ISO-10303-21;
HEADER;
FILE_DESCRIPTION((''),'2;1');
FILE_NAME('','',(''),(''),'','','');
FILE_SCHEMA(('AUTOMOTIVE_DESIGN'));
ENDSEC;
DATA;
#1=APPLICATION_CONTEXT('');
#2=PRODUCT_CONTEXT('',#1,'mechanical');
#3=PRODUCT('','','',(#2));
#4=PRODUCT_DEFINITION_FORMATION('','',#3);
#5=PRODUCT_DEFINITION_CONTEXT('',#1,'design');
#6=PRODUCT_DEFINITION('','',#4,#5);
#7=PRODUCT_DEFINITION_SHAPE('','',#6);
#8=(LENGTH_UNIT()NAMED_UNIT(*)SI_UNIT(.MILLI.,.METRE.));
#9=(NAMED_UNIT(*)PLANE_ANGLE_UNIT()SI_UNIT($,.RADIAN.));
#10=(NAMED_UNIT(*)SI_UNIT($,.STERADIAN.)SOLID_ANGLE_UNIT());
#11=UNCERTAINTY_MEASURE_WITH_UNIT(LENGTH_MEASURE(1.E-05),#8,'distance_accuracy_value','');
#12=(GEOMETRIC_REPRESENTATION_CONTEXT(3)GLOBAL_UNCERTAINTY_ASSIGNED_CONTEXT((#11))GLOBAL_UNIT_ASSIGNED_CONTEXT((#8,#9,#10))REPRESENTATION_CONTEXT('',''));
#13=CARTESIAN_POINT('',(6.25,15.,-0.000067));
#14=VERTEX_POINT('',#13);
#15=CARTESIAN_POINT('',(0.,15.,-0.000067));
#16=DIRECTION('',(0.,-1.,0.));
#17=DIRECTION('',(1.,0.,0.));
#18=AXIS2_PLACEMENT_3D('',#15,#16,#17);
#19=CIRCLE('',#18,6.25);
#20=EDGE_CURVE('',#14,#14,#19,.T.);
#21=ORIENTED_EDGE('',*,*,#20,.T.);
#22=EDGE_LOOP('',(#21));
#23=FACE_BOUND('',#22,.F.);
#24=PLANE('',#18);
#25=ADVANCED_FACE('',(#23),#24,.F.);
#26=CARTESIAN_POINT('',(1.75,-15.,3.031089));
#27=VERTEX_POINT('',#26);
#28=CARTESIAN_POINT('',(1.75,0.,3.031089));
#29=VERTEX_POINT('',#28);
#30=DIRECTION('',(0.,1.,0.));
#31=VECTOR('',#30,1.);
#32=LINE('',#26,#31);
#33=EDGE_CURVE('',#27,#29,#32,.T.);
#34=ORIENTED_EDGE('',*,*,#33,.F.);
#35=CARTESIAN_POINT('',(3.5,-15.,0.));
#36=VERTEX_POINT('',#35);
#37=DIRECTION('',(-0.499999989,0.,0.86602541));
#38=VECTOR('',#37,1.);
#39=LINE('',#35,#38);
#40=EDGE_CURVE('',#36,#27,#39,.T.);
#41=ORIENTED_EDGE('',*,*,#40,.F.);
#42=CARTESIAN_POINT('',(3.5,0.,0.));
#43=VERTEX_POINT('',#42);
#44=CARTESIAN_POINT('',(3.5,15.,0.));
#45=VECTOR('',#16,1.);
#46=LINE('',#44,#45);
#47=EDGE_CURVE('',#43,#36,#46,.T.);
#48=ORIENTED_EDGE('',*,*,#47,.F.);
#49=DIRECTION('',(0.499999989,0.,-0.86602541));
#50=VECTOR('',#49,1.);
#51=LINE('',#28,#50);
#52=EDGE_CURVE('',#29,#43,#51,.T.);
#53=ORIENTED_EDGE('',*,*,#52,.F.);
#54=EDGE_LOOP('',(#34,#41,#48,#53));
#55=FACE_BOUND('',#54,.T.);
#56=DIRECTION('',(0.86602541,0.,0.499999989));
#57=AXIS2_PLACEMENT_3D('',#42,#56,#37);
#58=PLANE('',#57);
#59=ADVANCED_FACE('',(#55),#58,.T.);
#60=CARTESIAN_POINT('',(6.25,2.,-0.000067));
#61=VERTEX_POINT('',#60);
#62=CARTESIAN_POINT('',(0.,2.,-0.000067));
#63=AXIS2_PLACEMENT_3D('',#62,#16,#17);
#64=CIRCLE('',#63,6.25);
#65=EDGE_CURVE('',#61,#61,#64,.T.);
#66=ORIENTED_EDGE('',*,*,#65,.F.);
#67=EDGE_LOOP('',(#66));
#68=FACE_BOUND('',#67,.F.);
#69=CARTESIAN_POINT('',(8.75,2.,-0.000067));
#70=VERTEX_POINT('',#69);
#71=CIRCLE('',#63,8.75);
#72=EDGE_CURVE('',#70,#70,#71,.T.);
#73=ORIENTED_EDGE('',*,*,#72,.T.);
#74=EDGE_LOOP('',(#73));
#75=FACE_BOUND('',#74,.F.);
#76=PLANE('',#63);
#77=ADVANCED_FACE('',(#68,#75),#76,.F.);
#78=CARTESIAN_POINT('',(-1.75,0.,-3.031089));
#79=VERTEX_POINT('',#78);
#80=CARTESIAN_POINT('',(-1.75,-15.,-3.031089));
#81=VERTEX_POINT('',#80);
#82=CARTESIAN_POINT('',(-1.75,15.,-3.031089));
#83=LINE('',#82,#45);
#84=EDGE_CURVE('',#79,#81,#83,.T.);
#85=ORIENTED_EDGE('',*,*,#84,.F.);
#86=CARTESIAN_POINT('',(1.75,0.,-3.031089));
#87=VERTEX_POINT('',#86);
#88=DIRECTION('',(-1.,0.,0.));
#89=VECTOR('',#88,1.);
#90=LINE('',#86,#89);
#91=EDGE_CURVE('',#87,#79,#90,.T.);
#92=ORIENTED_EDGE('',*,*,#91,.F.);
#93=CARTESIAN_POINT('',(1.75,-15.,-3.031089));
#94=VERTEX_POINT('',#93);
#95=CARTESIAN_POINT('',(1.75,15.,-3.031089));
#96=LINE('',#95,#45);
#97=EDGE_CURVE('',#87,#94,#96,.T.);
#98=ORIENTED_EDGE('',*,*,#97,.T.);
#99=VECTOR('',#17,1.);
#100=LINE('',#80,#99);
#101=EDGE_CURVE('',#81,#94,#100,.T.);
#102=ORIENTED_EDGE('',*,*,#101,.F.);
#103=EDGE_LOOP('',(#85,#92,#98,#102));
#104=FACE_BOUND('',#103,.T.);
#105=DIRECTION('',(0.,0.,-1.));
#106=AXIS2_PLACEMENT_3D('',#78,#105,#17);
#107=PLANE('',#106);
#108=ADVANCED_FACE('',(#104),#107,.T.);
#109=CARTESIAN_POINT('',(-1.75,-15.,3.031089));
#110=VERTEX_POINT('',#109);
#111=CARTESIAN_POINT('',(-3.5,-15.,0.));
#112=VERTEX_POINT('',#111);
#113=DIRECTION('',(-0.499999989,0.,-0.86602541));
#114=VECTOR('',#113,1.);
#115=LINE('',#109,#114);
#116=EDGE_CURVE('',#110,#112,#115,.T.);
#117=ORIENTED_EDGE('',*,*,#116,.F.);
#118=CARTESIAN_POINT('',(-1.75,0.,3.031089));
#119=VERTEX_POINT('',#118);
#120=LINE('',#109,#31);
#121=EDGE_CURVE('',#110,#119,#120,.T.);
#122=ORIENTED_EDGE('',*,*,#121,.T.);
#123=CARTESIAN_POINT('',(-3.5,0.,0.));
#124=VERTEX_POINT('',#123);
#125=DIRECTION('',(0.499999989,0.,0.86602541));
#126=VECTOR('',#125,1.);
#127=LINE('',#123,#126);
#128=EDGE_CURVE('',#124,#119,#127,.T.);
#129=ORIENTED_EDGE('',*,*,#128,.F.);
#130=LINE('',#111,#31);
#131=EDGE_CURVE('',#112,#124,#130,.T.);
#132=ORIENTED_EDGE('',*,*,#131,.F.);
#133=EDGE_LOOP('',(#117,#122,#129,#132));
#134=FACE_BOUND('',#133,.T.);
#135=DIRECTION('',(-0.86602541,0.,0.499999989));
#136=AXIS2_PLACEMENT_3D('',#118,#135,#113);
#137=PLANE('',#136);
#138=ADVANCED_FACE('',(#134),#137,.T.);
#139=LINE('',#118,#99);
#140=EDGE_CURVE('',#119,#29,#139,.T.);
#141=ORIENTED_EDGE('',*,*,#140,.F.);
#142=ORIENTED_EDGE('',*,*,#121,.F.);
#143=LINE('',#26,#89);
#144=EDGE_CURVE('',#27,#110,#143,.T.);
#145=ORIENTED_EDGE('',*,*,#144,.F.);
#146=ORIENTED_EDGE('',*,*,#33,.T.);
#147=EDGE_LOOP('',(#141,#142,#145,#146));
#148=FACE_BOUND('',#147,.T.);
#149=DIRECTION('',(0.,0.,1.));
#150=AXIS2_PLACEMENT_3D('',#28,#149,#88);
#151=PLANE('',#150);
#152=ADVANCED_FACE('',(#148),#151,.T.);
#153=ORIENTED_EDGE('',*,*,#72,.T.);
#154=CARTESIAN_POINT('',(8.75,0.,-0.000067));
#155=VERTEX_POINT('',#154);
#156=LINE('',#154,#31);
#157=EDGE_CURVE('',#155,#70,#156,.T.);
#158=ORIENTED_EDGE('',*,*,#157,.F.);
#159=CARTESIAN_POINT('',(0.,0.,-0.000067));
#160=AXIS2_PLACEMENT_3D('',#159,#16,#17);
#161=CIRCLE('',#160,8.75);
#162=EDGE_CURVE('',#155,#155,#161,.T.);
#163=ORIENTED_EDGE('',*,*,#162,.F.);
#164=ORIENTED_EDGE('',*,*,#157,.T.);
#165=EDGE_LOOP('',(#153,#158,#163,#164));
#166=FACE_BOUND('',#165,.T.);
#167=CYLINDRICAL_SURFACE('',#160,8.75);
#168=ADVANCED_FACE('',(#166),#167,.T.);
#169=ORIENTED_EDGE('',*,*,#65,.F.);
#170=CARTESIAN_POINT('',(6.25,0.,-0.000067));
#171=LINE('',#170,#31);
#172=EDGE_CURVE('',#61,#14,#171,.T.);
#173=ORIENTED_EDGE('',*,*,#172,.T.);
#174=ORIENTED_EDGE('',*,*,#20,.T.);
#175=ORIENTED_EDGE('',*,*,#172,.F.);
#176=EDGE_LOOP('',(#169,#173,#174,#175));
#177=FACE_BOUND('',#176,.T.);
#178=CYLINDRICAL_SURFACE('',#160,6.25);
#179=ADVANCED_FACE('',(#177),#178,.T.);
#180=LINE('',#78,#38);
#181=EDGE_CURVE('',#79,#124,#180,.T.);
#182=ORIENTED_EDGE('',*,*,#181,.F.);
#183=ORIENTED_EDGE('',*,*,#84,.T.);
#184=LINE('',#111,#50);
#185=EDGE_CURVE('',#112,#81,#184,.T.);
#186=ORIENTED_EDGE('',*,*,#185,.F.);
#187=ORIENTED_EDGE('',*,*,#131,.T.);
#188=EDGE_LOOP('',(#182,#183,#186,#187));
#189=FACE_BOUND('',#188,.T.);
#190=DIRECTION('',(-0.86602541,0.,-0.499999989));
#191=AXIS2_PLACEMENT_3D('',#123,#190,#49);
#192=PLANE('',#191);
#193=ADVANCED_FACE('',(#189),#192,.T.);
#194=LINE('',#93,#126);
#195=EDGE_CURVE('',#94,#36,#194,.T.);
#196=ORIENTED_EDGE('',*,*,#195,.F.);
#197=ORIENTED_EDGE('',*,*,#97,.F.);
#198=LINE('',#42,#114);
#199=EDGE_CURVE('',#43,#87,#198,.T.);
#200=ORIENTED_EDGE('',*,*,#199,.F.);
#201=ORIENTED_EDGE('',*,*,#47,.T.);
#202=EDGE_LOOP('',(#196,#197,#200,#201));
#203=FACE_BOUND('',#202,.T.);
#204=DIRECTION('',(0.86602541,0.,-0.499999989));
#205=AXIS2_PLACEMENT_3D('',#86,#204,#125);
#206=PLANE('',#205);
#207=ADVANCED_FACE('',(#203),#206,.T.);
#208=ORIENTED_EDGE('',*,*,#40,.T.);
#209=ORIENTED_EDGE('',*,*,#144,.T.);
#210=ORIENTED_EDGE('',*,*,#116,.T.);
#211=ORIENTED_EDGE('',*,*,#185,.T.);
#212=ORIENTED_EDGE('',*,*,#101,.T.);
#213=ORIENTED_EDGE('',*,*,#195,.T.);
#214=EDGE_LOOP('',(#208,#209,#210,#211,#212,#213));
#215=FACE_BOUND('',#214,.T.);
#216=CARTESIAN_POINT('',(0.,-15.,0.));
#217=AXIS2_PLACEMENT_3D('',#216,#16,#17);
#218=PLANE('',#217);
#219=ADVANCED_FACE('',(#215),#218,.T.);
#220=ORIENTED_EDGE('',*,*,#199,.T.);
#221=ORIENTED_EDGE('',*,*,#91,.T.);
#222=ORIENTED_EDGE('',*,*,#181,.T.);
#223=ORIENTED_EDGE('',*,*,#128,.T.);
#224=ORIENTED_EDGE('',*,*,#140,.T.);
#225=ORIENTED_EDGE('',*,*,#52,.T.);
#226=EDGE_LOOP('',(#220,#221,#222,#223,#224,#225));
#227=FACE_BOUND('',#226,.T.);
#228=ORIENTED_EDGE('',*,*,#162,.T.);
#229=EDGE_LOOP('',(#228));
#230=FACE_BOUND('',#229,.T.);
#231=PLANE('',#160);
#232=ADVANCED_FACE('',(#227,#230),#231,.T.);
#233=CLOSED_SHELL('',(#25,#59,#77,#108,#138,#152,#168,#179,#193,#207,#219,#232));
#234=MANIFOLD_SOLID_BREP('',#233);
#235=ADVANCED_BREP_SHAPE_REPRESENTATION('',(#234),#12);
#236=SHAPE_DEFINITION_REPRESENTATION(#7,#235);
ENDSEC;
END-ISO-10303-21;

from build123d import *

# Parameters (mm, degrees)
F0_R     = 8.75
F0_R_2   = 6.25
F1_DEPTH = 2
F2_DEPTH = 15
F3_DEPTH = 15


with BuildPart() as f1:
    # F0 (on Front) → F1 (new body)
    with BuildSketch(Plane.XZ):
        with Locations((0, -6.7e-05)):
            Circle(F0_R)
        with Locations((0, -6.7e-05)):
            Circle(F0_R_2, mode=Mode.SUBTRACT)
    extrude(amount=-F1_DEPTH)

    # F0 (on Front) → F2 (join)
    with BuildSketch(Plane.XZ):
        with Locations((0, -6.7e-05)):
            Circle(F0_R_2)
        Polygon((1.75, -3.031089), (-1.75, -3.031089), (-3.5, 0), (-1.75, 3.031089), (1.75, 3.031089), (3.5, 0), align=None, mode=Mode.SUBTRACT)
    extrude(amount=-F2_DEPTH)

    # F0 (on Front) → F3 (join, symmetric)
    with BuildSketch(Plane.XZ):
        Polygon((-3.5, 0), (-1.75, -3.031089), (1.75, -3.031089), (3.5, 0), (1.75, 3.031089), (-1.75, 3.031089), align=None)
    extrude(amount=F3_DEPTH, both=True)


solid = f1.part
